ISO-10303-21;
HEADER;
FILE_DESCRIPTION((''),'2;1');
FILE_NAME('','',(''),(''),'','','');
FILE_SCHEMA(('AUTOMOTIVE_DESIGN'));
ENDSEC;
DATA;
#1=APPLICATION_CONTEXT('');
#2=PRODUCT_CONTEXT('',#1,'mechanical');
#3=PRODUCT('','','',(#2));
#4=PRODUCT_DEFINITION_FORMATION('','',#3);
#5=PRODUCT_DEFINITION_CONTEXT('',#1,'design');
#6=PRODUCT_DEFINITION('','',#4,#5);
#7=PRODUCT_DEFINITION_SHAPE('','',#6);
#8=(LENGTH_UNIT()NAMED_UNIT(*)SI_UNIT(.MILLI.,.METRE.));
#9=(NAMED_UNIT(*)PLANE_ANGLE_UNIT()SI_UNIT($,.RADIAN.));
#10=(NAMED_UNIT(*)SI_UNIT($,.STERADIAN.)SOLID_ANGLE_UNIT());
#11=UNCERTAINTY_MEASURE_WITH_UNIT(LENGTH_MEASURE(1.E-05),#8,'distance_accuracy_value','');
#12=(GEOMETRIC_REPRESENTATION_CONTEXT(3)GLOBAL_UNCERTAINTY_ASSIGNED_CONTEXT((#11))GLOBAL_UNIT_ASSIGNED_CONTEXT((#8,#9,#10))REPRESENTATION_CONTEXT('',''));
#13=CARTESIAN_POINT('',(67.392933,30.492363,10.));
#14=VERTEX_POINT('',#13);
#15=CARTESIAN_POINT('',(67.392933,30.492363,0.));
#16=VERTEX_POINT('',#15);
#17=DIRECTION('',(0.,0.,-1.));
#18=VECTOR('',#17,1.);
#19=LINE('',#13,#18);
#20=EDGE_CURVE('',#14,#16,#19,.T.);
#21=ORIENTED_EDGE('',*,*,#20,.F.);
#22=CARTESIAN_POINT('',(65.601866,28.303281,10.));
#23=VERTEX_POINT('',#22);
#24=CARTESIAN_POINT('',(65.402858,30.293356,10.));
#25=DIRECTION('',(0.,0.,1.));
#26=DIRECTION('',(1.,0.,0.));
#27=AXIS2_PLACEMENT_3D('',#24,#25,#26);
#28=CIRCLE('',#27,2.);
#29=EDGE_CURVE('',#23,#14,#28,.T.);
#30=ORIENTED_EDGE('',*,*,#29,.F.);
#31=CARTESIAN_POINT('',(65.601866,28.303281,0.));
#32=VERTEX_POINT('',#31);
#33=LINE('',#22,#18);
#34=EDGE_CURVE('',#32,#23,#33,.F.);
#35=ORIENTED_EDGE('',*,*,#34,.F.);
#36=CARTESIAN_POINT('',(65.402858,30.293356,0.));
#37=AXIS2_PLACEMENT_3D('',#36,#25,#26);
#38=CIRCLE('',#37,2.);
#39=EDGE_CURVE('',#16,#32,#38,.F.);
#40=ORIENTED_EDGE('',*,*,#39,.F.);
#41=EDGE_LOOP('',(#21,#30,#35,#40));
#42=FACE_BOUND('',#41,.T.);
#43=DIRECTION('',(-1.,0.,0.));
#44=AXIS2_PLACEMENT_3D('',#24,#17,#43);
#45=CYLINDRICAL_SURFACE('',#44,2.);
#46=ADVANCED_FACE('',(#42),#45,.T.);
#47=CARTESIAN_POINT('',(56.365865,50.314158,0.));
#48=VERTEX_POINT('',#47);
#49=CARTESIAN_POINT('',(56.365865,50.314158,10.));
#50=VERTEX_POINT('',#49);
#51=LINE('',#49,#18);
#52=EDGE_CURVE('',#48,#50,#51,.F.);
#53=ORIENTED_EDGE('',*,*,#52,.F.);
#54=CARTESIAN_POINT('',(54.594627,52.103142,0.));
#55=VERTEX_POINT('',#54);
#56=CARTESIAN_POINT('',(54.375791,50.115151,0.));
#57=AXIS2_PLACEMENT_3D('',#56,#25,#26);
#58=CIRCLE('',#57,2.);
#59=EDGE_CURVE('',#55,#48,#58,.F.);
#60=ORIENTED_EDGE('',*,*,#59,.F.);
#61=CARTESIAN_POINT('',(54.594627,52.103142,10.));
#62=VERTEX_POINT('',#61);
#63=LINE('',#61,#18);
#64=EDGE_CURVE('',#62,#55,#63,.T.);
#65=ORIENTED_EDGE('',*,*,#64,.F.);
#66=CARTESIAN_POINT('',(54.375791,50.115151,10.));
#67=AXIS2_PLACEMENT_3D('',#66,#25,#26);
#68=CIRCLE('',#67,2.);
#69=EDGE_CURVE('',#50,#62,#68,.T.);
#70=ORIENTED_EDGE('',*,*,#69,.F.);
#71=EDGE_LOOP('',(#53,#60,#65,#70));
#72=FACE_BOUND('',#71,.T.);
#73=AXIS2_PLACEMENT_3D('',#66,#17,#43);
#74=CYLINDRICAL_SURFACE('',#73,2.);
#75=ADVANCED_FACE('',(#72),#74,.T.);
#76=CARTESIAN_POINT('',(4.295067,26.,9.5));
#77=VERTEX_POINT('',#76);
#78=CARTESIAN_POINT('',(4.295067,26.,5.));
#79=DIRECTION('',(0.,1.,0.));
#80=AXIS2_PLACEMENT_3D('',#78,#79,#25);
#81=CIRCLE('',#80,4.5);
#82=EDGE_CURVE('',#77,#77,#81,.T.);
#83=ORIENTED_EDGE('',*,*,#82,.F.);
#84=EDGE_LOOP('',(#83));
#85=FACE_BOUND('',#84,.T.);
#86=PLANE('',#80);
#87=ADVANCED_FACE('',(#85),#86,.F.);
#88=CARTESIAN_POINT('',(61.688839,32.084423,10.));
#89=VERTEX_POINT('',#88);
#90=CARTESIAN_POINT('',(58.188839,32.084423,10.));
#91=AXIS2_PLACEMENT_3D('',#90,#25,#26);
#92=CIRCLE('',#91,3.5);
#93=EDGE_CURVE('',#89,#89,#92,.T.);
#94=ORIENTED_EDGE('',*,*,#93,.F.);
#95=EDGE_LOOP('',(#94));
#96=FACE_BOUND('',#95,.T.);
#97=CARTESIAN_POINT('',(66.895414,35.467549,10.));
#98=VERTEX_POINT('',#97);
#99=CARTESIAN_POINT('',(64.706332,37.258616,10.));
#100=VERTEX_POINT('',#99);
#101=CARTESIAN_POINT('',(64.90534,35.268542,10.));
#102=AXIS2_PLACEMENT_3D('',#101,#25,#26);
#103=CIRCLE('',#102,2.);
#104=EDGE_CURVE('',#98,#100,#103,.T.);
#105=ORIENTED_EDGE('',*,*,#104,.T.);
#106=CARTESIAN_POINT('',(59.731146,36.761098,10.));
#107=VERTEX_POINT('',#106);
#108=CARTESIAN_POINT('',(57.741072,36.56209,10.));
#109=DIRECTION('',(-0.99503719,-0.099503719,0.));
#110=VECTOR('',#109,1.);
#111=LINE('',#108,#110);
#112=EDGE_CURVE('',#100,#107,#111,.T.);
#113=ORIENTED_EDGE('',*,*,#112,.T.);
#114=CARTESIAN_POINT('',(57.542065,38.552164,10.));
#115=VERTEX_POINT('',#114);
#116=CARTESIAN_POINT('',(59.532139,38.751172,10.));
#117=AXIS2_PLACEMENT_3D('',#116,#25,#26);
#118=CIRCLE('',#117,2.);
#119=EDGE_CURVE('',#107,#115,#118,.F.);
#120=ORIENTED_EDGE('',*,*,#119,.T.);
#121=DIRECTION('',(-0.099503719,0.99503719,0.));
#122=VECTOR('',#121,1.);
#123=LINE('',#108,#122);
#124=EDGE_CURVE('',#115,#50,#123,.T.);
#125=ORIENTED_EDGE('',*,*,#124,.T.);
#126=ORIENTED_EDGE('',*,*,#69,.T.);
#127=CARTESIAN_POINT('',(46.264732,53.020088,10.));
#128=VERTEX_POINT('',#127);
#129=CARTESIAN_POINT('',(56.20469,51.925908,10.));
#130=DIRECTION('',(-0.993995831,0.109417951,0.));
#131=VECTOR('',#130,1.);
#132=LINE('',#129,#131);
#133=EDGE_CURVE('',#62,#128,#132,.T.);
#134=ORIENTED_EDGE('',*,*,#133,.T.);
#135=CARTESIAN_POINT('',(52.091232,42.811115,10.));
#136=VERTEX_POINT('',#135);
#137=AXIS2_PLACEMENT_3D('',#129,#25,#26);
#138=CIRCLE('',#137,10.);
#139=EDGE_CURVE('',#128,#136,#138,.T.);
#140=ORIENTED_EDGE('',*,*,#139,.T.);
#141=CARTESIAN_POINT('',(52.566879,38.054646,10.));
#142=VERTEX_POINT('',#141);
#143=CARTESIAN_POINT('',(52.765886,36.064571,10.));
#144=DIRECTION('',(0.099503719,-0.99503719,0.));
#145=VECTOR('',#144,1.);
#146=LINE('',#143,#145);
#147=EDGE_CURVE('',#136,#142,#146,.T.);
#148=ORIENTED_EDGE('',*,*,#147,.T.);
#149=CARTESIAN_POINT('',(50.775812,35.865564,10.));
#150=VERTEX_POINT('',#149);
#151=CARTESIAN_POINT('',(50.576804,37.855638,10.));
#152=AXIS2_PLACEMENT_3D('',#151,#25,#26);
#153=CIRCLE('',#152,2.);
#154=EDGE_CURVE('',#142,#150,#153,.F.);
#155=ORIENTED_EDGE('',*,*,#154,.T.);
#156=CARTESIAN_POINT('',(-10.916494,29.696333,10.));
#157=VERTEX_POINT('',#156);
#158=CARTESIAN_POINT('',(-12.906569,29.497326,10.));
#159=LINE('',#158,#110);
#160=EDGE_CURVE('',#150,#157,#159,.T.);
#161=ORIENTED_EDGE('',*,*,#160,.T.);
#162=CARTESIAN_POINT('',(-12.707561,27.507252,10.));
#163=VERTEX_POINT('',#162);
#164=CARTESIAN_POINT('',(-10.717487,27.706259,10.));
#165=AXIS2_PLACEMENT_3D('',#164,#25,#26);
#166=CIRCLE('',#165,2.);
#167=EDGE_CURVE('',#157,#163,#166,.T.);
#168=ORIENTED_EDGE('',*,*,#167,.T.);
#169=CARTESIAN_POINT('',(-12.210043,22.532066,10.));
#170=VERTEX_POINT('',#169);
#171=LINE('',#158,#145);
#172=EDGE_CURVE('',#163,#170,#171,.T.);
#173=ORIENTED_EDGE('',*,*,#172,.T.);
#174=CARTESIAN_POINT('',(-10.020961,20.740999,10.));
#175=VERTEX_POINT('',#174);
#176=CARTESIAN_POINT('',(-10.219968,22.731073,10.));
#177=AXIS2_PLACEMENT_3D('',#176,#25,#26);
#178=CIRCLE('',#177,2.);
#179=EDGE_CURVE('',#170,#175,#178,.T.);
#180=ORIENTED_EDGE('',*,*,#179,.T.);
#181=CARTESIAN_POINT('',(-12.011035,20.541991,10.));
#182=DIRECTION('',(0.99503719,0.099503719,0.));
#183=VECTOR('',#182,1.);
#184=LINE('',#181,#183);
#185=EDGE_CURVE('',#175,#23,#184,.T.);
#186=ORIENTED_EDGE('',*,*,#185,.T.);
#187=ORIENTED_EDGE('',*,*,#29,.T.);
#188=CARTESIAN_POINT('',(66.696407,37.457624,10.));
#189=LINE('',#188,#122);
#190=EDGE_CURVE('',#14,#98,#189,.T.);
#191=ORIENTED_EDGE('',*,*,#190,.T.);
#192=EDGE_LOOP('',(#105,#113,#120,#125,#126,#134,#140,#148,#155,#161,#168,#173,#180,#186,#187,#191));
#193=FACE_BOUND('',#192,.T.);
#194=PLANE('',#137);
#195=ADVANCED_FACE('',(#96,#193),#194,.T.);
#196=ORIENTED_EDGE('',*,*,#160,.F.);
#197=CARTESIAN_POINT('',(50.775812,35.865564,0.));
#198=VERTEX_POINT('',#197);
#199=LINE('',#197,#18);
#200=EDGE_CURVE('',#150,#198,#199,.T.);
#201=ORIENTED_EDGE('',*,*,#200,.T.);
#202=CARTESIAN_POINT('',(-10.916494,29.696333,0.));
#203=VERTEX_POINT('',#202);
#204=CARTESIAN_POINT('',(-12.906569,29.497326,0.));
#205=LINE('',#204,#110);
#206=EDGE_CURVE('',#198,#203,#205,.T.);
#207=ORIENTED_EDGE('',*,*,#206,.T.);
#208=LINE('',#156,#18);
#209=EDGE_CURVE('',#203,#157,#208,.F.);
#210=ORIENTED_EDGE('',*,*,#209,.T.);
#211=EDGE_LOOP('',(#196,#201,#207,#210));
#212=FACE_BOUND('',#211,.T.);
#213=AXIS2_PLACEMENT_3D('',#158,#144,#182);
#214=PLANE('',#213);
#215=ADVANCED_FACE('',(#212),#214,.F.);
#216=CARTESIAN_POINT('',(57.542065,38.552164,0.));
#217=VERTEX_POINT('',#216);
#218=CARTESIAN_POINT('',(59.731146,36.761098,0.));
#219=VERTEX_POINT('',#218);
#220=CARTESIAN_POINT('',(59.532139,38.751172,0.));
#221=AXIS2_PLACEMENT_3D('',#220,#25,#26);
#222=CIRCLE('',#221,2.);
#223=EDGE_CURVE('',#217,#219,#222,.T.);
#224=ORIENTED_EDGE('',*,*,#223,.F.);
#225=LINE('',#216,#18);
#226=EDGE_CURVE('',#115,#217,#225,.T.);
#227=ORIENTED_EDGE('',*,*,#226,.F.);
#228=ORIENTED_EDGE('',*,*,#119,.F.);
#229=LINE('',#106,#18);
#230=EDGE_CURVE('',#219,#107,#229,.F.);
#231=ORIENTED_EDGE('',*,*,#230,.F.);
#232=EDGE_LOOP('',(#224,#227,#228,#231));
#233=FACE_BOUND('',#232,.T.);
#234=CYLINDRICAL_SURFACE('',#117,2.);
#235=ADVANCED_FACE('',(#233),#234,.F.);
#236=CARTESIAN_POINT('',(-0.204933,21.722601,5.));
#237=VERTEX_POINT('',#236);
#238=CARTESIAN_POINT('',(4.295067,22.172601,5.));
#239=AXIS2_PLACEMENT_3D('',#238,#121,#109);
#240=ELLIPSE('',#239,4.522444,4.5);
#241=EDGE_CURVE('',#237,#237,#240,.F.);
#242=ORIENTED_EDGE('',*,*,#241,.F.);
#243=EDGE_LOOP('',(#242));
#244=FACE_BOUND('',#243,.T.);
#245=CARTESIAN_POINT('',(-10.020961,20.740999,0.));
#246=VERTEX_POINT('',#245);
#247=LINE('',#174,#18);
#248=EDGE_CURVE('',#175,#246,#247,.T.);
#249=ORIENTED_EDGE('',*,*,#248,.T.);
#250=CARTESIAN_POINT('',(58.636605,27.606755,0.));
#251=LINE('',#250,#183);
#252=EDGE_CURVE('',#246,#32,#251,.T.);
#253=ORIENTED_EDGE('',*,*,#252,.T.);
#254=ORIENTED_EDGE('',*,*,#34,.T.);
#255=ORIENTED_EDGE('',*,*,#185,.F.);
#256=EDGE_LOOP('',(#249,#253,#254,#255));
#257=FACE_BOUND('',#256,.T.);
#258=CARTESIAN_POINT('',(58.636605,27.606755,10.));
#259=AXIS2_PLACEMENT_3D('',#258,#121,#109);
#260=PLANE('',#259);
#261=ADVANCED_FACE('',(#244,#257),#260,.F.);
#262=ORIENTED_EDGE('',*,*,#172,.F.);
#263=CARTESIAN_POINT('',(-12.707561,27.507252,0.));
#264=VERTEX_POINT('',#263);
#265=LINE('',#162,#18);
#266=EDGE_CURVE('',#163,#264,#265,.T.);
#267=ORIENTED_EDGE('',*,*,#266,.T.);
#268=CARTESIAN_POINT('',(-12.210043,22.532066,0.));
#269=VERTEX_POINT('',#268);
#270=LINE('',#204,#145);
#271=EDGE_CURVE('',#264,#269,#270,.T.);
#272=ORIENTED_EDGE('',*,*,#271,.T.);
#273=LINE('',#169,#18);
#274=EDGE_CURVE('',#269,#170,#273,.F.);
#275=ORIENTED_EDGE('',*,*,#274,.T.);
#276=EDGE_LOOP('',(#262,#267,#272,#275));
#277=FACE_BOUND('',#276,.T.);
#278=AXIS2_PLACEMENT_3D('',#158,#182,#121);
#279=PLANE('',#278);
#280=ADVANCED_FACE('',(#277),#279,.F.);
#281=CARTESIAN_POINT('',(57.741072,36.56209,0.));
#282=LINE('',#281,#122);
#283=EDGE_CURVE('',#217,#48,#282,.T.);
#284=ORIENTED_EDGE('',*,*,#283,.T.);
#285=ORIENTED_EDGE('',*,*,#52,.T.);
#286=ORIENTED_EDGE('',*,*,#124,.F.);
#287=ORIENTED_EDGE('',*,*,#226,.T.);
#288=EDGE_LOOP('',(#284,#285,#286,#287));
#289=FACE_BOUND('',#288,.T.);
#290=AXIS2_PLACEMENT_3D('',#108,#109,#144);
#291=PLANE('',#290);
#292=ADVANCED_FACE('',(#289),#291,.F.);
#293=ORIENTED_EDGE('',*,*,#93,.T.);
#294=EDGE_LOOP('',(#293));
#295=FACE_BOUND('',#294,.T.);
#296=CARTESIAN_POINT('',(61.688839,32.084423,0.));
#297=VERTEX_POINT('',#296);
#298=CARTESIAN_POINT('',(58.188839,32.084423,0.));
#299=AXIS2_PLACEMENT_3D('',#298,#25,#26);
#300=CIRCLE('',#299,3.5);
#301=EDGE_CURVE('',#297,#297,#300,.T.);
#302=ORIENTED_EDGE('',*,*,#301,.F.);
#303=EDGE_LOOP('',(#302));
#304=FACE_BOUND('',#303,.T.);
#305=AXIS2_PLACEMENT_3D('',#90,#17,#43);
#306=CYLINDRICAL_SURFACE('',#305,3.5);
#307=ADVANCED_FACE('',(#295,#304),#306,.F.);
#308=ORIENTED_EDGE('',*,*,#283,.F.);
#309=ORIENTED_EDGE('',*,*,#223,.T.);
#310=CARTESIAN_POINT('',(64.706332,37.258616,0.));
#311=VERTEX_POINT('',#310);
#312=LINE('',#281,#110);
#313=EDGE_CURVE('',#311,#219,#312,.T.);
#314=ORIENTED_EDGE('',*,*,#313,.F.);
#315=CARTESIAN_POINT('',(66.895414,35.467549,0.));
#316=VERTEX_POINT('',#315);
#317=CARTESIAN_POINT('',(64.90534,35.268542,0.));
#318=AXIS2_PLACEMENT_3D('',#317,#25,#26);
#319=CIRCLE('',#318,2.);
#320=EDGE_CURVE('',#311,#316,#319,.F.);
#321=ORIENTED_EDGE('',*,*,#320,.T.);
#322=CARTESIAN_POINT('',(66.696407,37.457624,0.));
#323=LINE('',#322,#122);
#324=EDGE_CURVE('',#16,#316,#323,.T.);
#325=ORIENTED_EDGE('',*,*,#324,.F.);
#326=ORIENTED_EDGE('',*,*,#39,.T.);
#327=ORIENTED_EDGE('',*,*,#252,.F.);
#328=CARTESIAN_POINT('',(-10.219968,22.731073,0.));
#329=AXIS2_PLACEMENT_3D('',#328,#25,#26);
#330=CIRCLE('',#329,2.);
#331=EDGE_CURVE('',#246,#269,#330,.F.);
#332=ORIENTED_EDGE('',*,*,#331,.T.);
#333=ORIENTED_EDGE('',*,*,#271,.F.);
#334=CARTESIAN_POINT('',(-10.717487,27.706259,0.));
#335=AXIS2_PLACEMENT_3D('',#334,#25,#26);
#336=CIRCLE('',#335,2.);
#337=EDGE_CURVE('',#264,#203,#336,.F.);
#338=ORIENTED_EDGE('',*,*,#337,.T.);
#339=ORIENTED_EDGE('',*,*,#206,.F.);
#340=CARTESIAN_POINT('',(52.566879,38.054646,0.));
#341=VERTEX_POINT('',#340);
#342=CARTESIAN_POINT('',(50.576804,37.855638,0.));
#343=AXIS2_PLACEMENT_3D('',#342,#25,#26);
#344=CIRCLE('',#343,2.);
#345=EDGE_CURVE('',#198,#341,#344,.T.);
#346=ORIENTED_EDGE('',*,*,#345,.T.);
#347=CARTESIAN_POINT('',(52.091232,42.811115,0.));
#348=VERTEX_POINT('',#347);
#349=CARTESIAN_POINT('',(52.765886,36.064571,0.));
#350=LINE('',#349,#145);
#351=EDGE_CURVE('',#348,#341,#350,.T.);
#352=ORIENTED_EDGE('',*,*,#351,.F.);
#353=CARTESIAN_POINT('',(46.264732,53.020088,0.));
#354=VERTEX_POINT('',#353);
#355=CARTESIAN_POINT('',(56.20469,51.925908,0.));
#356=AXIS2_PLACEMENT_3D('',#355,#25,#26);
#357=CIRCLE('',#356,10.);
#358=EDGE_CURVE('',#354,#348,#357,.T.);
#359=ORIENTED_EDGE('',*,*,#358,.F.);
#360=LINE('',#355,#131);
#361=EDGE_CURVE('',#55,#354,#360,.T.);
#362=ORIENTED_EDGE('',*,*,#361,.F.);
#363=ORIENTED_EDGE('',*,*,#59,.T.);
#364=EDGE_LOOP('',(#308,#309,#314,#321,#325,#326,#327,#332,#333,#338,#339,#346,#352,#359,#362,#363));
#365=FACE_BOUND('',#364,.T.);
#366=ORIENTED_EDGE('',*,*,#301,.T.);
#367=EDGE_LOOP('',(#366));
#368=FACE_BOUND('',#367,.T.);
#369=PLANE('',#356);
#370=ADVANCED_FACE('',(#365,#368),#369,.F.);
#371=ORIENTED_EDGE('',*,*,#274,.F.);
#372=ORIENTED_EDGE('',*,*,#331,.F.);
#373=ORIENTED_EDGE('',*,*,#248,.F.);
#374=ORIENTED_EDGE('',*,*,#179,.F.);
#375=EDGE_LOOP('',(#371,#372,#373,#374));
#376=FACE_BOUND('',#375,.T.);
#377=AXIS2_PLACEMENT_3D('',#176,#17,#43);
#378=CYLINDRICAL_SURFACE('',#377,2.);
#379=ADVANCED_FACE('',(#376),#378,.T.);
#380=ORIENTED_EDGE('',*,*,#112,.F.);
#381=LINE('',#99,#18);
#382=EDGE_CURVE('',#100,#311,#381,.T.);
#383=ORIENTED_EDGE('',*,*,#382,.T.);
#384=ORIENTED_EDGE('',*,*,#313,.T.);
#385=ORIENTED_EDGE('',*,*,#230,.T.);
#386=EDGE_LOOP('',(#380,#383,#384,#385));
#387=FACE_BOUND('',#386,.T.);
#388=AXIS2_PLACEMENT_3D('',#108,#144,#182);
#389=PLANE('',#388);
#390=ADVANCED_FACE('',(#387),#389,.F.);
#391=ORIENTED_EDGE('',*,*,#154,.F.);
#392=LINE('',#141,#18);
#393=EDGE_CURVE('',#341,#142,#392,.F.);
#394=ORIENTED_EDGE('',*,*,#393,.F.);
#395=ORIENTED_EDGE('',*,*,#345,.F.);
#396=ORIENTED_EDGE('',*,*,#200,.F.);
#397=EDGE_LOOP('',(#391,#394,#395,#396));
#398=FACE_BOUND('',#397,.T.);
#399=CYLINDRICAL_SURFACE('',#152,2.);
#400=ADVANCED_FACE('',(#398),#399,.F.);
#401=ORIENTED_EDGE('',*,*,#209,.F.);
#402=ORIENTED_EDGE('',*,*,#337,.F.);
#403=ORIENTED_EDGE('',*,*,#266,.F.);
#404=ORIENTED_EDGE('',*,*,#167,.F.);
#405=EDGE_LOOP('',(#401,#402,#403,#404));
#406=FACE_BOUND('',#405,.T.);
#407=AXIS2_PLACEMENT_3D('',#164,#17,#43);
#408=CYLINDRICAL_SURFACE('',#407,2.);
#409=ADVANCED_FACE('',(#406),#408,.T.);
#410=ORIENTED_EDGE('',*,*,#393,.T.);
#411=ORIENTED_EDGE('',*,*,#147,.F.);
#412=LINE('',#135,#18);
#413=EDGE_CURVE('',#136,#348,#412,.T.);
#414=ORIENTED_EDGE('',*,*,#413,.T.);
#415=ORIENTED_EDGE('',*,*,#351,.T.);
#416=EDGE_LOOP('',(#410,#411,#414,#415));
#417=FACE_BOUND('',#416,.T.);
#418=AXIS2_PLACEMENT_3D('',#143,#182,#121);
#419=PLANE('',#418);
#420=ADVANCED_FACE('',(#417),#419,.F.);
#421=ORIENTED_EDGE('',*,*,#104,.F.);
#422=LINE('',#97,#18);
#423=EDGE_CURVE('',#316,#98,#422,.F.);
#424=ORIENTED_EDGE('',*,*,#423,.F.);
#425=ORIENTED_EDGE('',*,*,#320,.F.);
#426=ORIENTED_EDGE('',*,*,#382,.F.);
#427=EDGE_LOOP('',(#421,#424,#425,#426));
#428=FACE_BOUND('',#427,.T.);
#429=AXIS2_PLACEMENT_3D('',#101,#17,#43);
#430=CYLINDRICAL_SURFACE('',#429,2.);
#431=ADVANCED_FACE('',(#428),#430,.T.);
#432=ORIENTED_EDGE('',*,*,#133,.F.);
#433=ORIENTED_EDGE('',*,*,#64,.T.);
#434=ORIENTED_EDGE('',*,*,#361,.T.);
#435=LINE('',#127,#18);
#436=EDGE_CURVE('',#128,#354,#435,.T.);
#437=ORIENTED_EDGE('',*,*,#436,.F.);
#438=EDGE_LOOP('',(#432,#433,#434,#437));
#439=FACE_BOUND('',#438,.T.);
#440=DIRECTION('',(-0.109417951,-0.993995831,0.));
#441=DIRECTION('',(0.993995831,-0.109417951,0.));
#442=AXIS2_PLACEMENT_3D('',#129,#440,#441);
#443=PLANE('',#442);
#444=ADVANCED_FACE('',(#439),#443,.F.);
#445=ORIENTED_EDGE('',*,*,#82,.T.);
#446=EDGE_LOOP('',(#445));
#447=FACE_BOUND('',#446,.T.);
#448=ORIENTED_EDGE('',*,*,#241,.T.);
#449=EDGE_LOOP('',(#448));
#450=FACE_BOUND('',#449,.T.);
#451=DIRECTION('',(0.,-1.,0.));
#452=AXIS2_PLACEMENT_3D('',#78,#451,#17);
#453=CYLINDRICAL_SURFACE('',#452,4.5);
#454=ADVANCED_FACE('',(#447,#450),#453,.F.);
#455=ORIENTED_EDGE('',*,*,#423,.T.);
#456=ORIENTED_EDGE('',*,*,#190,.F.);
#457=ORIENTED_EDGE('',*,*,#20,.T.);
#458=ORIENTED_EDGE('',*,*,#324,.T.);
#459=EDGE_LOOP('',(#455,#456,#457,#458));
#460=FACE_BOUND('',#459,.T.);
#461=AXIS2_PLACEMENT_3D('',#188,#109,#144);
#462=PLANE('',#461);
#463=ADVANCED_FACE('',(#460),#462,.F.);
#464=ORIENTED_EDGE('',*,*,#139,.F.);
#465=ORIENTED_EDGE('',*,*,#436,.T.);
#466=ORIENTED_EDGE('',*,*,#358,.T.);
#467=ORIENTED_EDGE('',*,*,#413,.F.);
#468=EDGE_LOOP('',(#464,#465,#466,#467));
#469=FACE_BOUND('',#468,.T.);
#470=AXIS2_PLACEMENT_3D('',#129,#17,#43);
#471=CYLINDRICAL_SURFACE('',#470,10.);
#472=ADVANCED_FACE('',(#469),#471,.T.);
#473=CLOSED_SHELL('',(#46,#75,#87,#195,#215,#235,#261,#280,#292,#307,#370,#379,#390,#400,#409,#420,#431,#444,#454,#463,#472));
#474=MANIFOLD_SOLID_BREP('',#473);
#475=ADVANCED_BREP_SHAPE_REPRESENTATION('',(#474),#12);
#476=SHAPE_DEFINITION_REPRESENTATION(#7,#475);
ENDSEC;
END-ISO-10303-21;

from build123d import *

# Parameters (mm, degrees)
SKETCH1_R           = 3.5
BOSS_EXTRUDE1_DEPTH = 10
FILLET1_R           = 2
SKETCH4_R           = 4.5
CUT_EXTRUDE1_DEPTH  = 26
FILLET2_R           = 2


with BuildPart() as part:
    # Sketch1 → Boss-Extrude1 (new body)
    with BuildSketch(Plane.XY):
        with BuildLine():
            Line((57.741071939, 36.562090071), (56.204690111, 51.925908355))
            Line((56.204690111, 51.925908355), (46.264731801, 53.020087861))
            ThreePointArc((46.264731801, 53.020087861), (47.519621722, 46.969136515), (52.091231644, 42.811114916))
            Line((52.091231644, 42.811114916), (52.765885988, 36.064571476))
            Line((52.765885988, 36.064571476), (-12.906568566, 29.49732602))
            Line((-12.906568566, 29.49732602), (-12.011035094, 20.541991308))
            Line((-12.011035094, 20.541991308), (58.63660541, 27.606755359))
            Line((58.63660541, 27.606755359), (67.591940122, 28.50228883))
            Line((67.591940122, 28.50228883), (66.696406651, 37.457623542))
            Line((66.696406651, 37.457623542), (57.741071939, 36.562090071))
        make_face()
        with Locations((58.188838675, 32.084422715)):
            Circle(SKETCH1_R, mode=Mode.SUBTRACT)
    extrude(amount=BOSS_EXTRUDE1_DEPTH)

    # Fillet1
    fillet1_edges = [part.edges().sort_by_distance(p)[0] for p in [
        (56.204690111, 51.925908355, 5),
        (57.741071939, 36.562090071, 5),
        (66.696406651, 37.457623542, 5),
        (67.591940122, 28.50228883, 5),
        (52.765885988, 36.064571476, 5),
    ]]
    fillet(fillet1_edges, radius=FILLET1_R)

    # Sketch4 → Cut-Extrude1 (cut)
    with BuildSketch(Plane(origin=(0, 0, 0), x_dir=(1, 0, 0), z_dir=(0, 1, 0))):
        with Locations(Location((4.295066604, -5, 0), (0, 0, 180))):
            Circle(SKETCH4_R)
    extrude(amount=CUT_EXTRUDE1_DEPTH, mode=Mode.SUBTRACT)

    # Fillet2
    fillet2_edges = [part.edges().sort_by_distance(p)[0] for p in [
        (-12.011035094, 20.541991308, 5),
        (-12.906568566, 29.49732602, 5),
    ]]
    fillet(fillet2_edges, radius=FILLET2_R)


solid = part.part
